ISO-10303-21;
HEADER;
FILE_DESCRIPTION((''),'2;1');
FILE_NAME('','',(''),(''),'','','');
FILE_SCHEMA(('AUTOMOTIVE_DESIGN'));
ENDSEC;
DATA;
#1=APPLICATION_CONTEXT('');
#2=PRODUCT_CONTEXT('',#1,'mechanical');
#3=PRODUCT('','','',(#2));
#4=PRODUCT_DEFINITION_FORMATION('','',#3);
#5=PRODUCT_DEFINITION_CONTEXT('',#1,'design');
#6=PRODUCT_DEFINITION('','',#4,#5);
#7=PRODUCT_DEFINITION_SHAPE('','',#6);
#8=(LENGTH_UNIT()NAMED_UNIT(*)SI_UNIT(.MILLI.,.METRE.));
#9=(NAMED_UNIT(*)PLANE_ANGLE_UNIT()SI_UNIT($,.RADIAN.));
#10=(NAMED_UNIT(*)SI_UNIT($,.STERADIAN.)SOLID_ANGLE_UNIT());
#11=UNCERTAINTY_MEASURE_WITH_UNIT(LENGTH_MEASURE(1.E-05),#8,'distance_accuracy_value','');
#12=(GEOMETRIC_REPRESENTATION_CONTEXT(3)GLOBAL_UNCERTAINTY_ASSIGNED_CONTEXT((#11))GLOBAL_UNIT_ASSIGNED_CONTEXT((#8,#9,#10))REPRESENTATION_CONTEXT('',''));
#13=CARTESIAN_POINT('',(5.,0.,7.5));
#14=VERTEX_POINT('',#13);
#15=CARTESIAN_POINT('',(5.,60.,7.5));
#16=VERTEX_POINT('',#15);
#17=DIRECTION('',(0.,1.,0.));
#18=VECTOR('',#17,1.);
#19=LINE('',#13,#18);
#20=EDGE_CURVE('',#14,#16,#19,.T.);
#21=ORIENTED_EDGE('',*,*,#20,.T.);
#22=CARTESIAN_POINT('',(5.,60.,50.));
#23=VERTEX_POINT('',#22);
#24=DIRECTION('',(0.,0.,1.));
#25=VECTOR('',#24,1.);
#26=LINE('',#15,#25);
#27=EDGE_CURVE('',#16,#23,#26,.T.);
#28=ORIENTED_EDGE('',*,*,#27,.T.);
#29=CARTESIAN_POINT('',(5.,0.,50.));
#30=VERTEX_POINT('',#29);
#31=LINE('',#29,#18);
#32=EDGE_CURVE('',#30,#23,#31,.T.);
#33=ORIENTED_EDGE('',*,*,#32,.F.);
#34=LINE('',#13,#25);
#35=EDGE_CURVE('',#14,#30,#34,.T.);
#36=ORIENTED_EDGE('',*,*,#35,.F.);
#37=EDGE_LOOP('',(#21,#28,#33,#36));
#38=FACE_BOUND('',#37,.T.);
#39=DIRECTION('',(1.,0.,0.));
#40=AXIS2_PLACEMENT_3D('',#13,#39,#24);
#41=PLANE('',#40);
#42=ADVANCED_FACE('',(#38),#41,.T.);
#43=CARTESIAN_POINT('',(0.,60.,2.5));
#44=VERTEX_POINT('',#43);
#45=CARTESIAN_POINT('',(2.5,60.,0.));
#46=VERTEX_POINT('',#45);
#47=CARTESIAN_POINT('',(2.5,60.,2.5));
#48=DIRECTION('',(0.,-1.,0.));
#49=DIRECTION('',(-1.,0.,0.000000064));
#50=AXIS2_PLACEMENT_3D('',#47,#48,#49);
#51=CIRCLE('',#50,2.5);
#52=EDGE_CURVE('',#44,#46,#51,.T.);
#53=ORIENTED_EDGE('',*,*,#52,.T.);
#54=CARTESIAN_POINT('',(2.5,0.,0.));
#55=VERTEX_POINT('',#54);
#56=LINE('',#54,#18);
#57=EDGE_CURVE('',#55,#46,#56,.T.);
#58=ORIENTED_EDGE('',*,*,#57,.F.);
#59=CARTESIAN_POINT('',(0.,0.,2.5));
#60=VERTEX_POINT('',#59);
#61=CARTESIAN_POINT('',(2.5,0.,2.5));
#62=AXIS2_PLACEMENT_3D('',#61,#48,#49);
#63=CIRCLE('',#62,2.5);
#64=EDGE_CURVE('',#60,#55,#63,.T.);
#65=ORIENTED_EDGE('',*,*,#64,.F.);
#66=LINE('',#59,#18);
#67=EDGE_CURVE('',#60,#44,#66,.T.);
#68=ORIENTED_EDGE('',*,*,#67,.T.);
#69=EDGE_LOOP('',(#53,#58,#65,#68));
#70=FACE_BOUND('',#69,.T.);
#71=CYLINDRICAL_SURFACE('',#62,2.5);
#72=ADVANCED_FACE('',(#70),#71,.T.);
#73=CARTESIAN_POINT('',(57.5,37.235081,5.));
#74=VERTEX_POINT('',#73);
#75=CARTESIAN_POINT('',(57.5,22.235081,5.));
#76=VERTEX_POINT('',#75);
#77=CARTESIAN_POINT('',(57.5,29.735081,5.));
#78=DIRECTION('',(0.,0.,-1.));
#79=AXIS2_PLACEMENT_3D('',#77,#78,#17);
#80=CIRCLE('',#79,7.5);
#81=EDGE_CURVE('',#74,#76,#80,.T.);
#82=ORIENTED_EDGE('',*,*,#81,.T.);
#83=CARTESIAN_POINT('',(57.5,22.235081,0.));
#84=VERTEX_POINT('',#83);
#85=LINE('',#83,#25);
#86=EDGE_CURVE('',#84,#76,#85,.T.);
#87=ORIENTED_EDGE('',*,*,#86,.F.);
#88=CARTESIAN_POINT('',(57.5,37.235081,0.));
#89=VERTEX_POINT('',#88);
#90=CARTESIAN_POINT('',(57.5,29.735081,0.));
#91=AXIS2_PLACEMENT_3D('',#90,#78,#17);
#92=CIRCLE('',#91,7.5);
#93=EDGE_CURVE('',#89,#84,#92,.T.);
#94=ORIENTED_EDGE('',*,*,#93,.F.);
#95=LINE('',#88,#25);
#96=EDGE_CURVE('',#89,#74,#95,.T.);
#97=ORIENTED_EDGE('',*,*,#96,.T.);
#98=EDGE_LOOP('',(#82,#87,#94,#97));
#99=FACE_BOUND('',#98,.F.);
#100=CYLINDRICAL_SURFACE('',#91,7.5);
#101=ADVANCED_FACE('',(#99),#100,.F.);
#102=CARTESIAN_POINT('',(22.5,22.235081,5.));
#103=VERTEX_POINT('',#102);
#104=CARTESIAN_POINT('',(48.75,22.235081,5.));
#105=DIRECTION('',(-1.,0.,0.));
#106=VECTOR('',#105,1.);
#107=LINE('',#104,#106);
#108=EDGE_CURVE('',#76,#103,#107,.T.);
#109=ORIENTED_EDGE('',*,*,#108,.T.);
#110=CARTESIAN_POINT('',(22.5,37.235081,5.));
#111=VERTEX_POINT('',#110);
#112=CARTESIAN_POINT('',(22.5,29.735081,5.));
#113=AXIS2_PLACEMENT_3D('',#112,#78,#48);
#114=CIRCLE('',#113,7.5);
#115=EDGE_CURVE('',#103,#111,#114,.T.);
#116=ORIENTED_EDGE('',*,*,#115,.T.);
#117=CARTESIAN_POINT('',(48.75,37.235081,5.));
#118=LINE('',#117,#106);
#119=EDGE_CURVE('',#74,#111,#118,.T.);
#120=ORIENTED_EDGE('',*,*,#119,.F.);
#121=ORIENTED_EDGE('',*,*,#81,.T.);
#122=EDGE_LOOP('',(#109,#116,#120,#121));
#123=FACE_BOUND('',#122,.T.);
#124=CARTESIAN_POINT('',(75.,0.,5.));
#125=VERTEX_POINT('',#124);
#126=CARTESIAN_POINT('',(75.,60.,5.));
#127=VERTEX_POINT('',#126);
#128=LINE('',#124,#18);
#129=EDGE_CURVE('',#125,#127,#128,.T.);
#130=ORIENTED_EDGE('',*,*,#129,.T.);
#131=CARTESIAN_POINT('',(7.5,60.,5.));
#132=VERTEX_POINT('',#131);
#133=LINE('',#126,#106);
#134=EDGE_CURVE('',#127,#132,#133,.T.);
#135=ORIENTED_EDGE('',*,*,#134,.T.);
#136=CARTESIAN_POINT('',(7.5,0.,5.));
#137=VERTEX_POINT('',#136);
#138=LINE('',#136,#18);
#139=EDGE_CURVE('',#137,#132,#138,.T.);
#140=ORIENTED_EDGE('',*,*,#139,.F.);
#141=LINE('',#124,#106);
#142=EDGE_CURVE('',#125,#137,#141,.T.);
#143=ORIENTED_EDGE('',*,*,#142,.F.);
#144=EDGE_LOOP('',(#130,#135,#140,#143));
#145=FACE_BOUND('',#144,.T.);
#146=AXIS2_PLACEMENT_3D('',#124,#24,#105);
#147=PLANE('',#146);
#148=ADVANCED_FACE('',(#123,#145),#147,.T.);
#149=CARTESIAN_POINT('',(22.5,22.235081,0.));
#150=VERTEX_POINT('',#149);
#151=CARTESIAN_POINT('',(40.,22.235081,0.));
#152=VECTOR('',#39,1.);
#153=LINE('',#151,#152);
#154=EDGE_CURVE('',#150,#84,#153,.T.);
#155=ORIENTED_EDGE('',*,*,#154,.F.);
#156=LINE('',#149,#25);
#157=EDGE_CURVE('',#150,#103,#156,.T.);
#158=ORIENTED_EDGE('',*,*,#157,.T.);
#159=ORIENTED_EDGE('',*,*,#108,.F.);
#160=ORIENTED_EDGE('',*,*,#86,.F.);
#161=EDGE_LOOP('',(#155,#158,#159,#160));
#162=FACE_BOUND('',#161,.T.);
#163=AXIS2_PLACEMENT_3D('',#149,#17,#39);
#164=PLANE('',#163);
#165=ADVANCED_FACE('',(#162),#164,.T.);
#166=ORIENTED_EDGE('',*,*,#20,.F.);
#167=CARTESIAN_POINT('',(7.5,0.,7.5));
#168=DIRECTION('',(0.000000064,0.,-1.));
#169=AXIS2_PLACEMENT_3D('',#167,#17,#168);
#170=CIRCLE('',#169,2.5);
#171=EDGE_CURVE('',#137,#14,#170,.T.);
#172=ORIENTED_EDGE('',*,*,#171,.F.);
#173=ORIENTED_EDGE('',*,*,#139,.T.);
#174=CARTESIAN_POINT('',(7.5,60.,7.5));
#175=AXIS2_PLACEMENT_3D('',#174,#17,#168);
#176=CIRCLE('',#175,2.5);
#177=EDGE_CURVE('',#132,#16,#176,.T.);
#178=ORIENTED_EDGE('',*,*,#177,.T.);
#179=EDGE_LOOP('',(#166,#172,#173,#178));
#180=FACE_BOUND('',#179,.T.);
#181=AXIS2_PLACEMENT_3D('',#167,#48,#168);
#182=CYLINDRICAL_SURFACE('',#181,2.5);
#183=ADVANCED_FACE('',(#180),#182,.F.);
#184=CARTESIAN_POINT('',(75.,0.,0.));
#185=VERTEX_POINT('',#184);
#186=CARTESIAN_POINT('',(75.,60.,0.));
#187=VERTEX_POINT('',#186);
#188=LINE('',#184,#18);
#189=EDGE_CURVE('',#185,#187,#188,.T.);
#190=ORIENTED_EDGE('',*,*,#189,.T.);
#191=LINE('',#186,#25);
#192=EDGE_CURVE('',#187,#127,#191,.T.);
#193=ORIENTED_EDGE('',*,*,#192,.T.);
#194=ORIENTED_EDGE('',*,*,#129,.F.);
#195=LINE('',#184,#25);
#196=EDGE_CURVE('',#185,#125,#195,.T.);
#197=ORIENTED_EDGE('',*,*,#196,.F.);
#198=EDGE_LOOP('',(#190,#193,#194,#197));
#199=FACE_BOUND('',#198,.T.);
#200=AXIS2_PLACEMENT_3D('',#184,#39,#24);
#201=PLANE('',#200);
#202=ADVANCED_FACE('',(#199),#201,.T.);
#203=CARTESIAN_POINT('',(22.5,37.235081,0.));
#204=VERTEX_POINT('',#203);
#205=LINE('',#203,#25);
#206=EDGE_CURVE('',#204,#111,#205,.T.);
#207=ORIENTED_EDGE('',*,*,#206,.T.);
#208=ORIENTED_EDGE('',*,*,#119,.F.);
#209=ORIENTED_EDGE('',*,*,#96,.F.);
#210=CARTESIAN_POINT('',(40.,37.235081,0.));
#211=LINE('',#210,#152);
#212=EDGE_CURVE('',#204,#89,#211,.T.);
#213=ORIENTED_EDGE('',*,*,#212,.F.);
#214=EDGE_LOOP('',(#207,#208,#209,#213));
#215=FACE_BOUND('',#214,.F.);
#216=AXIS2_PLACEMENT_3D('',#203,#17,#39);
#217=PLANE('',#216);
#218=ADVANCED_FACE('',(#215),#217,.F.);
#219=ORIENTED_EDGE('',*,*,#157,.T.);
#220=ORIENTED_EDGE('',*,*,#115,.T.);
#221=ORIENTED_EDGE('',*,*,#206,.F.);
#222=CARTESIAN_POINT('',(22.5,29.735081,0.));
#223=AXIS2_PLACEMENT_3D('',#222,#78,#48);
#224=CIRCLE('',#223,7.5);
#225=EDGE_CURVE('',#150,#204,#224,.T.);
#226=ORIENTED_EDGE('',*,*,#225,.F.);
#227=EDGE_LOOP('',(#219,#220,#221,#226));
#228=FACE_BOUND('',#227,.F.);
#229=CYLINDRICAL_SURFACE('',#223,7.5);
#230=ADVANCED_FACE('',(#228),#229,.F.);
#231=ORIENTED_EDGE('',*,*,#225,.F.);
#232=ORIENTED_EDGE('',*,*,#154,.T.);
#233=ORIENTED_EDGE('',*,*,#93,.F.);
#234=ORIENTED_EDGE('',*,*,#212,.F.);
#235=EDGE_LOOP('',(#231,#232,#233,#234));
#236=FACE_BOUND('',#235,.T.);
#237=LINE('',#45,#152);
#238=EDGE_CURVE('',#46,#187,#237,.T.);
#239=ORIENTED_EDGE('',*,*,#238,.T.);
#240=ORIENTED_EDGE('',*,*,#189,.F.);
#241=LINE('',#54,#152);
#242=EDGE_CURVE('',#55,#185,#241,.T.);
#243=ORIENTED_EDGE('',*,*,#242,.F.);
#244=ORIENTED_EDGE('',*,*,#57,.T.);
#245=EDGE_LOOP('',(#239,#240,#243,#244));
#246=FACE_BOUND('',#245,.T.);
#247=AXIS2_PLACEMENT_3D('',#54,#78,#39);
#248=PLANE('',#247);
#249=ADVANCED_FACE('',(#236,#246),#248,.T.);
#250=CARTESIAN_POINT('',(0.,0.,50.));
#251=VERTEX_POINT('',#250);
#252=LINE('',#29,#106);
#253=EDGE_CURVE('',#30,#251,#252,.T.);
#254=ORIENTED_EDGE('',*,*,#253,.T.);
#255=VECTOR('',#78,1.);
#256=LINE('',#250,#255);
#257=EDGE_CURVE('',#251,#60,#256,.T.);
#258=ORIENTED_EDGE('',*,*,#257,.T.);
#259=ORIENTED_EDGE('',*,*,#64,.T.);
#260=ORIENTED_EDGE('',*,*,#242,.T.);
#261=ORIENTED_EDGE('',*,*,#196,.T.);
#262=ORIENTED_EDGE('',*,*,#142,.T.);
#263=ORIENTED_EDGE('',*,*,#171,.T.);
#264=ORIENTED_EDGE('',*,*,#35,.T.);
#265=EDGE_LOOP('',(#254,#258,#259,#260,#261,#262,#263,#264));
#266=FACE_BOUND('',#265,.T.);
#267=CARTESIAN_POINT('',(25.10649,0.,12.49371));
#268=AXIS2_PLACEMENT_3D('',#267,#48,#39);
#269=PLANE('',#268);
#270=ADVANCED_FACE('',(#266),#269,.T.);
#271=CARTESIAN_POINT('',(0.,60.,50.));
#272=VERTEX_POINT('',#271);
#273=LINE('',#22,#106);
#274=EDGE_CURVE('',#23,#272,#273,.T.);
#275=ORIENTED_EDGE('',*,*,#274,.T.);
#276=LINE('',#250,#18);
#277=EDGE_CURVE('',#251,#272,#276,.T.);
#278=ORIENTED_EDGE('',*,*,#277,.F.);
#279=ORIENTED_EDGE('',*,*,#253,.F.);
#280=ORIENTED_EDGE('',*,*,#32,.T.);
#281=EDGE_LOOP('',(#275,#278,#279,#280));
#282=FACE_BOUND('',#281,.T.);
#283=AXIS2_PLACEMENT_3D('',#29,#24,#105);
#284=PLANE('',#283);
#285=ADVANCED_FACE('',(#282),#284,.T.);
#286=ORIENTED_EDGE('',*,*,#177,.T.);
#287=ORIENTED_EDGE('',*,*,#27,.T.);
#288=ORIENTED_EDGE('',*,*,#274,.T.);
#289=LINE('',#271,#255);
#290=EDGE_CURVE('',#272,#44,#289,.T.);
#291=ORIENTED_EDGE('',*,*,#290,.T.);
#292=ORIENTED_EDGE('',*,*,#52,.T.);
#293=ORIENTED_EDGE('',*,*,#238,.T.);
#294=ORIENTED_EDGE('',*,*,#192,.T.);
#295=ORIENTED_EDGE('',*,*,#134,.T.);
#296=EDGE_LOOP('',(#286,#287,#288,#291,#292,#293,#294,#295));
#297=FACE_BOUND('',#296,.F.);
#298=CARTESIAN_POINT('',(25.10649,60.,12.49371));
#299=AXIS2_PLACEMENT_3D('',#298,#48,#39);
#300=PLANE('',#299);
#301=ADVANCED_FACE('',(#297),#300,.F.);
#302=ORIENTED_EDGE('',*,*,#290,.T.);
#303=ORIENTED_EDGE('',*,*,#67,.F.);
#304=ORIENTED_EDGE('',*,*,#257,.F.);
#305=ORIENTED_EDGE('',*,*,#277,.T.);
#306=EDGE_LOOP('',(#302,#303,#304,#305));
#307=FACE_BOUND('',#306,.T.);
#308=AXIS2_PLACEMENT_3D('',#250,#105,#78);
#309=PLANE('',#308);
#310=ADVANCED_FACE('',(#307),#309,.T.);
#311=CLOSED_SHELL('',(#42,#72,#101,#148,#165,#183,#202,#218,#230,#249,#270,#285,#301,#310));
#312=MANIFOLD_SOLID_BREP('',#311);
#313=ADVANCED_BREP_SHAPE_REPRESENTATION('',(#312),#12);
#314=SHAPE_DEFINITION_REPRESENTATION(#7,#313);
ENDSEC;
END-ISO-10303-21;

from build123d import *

# Parameters (mm, degrees)
F1_DEPTH = 60
F2_W     = 35
F2_H     = 15
F3_DEPTH = 50.001


with BuildPart() as f1:
    # F0 (on Front) → F1 (new body)
    with BuildSketch(Plane.XZ):
        with BuildLine():
            Line((5, 50), (0, 50))
            Line((0, 50), (0, 2.5))
            ThreePointArc((0, 2.5), (0.732233, 0.732233), (2.5, 0))
            Line((2.5, 0), (75, 0))
            Line((75, 0), (75, 5))
            Line((75, 5), (7.5, 5))
            ThreePointArc((7.5, 5), (5.732233, 5.732233), (5, 7.5))
            Line((5, 7.5), (5, 50))
        make_face()
    extrude(amount=-F1_DEPTH)

    # F2 (on face) → F3 (cut, through all)
    with BuildSketch(Plane(origin=(0, 0, 0), x_dir=(1, 0, 0), z_dir=(0, 0, -1))):
        with Locations((40, -29.735081)):
            Rectangle(F2_W, F2_H)
        with BuildLine():
            Line((22.5, -37.235081), (22.5, -22.235081))
            ThreePointArc((22.5, -22.235081), (15, -29.735081), (22.5, -37.235081))
        make_face()
        with BuildLine():
            ThreePointArc((57.5, -37.235081), (65, -29.735081), (57.5, -22.235081))
            Line((57.5, -22.235081), (57.5, -37.235081))
        make_face()
    extrude(amount=-F3_DEPTH, mode=Mode.SUBTRACT)


solid = f1.part
